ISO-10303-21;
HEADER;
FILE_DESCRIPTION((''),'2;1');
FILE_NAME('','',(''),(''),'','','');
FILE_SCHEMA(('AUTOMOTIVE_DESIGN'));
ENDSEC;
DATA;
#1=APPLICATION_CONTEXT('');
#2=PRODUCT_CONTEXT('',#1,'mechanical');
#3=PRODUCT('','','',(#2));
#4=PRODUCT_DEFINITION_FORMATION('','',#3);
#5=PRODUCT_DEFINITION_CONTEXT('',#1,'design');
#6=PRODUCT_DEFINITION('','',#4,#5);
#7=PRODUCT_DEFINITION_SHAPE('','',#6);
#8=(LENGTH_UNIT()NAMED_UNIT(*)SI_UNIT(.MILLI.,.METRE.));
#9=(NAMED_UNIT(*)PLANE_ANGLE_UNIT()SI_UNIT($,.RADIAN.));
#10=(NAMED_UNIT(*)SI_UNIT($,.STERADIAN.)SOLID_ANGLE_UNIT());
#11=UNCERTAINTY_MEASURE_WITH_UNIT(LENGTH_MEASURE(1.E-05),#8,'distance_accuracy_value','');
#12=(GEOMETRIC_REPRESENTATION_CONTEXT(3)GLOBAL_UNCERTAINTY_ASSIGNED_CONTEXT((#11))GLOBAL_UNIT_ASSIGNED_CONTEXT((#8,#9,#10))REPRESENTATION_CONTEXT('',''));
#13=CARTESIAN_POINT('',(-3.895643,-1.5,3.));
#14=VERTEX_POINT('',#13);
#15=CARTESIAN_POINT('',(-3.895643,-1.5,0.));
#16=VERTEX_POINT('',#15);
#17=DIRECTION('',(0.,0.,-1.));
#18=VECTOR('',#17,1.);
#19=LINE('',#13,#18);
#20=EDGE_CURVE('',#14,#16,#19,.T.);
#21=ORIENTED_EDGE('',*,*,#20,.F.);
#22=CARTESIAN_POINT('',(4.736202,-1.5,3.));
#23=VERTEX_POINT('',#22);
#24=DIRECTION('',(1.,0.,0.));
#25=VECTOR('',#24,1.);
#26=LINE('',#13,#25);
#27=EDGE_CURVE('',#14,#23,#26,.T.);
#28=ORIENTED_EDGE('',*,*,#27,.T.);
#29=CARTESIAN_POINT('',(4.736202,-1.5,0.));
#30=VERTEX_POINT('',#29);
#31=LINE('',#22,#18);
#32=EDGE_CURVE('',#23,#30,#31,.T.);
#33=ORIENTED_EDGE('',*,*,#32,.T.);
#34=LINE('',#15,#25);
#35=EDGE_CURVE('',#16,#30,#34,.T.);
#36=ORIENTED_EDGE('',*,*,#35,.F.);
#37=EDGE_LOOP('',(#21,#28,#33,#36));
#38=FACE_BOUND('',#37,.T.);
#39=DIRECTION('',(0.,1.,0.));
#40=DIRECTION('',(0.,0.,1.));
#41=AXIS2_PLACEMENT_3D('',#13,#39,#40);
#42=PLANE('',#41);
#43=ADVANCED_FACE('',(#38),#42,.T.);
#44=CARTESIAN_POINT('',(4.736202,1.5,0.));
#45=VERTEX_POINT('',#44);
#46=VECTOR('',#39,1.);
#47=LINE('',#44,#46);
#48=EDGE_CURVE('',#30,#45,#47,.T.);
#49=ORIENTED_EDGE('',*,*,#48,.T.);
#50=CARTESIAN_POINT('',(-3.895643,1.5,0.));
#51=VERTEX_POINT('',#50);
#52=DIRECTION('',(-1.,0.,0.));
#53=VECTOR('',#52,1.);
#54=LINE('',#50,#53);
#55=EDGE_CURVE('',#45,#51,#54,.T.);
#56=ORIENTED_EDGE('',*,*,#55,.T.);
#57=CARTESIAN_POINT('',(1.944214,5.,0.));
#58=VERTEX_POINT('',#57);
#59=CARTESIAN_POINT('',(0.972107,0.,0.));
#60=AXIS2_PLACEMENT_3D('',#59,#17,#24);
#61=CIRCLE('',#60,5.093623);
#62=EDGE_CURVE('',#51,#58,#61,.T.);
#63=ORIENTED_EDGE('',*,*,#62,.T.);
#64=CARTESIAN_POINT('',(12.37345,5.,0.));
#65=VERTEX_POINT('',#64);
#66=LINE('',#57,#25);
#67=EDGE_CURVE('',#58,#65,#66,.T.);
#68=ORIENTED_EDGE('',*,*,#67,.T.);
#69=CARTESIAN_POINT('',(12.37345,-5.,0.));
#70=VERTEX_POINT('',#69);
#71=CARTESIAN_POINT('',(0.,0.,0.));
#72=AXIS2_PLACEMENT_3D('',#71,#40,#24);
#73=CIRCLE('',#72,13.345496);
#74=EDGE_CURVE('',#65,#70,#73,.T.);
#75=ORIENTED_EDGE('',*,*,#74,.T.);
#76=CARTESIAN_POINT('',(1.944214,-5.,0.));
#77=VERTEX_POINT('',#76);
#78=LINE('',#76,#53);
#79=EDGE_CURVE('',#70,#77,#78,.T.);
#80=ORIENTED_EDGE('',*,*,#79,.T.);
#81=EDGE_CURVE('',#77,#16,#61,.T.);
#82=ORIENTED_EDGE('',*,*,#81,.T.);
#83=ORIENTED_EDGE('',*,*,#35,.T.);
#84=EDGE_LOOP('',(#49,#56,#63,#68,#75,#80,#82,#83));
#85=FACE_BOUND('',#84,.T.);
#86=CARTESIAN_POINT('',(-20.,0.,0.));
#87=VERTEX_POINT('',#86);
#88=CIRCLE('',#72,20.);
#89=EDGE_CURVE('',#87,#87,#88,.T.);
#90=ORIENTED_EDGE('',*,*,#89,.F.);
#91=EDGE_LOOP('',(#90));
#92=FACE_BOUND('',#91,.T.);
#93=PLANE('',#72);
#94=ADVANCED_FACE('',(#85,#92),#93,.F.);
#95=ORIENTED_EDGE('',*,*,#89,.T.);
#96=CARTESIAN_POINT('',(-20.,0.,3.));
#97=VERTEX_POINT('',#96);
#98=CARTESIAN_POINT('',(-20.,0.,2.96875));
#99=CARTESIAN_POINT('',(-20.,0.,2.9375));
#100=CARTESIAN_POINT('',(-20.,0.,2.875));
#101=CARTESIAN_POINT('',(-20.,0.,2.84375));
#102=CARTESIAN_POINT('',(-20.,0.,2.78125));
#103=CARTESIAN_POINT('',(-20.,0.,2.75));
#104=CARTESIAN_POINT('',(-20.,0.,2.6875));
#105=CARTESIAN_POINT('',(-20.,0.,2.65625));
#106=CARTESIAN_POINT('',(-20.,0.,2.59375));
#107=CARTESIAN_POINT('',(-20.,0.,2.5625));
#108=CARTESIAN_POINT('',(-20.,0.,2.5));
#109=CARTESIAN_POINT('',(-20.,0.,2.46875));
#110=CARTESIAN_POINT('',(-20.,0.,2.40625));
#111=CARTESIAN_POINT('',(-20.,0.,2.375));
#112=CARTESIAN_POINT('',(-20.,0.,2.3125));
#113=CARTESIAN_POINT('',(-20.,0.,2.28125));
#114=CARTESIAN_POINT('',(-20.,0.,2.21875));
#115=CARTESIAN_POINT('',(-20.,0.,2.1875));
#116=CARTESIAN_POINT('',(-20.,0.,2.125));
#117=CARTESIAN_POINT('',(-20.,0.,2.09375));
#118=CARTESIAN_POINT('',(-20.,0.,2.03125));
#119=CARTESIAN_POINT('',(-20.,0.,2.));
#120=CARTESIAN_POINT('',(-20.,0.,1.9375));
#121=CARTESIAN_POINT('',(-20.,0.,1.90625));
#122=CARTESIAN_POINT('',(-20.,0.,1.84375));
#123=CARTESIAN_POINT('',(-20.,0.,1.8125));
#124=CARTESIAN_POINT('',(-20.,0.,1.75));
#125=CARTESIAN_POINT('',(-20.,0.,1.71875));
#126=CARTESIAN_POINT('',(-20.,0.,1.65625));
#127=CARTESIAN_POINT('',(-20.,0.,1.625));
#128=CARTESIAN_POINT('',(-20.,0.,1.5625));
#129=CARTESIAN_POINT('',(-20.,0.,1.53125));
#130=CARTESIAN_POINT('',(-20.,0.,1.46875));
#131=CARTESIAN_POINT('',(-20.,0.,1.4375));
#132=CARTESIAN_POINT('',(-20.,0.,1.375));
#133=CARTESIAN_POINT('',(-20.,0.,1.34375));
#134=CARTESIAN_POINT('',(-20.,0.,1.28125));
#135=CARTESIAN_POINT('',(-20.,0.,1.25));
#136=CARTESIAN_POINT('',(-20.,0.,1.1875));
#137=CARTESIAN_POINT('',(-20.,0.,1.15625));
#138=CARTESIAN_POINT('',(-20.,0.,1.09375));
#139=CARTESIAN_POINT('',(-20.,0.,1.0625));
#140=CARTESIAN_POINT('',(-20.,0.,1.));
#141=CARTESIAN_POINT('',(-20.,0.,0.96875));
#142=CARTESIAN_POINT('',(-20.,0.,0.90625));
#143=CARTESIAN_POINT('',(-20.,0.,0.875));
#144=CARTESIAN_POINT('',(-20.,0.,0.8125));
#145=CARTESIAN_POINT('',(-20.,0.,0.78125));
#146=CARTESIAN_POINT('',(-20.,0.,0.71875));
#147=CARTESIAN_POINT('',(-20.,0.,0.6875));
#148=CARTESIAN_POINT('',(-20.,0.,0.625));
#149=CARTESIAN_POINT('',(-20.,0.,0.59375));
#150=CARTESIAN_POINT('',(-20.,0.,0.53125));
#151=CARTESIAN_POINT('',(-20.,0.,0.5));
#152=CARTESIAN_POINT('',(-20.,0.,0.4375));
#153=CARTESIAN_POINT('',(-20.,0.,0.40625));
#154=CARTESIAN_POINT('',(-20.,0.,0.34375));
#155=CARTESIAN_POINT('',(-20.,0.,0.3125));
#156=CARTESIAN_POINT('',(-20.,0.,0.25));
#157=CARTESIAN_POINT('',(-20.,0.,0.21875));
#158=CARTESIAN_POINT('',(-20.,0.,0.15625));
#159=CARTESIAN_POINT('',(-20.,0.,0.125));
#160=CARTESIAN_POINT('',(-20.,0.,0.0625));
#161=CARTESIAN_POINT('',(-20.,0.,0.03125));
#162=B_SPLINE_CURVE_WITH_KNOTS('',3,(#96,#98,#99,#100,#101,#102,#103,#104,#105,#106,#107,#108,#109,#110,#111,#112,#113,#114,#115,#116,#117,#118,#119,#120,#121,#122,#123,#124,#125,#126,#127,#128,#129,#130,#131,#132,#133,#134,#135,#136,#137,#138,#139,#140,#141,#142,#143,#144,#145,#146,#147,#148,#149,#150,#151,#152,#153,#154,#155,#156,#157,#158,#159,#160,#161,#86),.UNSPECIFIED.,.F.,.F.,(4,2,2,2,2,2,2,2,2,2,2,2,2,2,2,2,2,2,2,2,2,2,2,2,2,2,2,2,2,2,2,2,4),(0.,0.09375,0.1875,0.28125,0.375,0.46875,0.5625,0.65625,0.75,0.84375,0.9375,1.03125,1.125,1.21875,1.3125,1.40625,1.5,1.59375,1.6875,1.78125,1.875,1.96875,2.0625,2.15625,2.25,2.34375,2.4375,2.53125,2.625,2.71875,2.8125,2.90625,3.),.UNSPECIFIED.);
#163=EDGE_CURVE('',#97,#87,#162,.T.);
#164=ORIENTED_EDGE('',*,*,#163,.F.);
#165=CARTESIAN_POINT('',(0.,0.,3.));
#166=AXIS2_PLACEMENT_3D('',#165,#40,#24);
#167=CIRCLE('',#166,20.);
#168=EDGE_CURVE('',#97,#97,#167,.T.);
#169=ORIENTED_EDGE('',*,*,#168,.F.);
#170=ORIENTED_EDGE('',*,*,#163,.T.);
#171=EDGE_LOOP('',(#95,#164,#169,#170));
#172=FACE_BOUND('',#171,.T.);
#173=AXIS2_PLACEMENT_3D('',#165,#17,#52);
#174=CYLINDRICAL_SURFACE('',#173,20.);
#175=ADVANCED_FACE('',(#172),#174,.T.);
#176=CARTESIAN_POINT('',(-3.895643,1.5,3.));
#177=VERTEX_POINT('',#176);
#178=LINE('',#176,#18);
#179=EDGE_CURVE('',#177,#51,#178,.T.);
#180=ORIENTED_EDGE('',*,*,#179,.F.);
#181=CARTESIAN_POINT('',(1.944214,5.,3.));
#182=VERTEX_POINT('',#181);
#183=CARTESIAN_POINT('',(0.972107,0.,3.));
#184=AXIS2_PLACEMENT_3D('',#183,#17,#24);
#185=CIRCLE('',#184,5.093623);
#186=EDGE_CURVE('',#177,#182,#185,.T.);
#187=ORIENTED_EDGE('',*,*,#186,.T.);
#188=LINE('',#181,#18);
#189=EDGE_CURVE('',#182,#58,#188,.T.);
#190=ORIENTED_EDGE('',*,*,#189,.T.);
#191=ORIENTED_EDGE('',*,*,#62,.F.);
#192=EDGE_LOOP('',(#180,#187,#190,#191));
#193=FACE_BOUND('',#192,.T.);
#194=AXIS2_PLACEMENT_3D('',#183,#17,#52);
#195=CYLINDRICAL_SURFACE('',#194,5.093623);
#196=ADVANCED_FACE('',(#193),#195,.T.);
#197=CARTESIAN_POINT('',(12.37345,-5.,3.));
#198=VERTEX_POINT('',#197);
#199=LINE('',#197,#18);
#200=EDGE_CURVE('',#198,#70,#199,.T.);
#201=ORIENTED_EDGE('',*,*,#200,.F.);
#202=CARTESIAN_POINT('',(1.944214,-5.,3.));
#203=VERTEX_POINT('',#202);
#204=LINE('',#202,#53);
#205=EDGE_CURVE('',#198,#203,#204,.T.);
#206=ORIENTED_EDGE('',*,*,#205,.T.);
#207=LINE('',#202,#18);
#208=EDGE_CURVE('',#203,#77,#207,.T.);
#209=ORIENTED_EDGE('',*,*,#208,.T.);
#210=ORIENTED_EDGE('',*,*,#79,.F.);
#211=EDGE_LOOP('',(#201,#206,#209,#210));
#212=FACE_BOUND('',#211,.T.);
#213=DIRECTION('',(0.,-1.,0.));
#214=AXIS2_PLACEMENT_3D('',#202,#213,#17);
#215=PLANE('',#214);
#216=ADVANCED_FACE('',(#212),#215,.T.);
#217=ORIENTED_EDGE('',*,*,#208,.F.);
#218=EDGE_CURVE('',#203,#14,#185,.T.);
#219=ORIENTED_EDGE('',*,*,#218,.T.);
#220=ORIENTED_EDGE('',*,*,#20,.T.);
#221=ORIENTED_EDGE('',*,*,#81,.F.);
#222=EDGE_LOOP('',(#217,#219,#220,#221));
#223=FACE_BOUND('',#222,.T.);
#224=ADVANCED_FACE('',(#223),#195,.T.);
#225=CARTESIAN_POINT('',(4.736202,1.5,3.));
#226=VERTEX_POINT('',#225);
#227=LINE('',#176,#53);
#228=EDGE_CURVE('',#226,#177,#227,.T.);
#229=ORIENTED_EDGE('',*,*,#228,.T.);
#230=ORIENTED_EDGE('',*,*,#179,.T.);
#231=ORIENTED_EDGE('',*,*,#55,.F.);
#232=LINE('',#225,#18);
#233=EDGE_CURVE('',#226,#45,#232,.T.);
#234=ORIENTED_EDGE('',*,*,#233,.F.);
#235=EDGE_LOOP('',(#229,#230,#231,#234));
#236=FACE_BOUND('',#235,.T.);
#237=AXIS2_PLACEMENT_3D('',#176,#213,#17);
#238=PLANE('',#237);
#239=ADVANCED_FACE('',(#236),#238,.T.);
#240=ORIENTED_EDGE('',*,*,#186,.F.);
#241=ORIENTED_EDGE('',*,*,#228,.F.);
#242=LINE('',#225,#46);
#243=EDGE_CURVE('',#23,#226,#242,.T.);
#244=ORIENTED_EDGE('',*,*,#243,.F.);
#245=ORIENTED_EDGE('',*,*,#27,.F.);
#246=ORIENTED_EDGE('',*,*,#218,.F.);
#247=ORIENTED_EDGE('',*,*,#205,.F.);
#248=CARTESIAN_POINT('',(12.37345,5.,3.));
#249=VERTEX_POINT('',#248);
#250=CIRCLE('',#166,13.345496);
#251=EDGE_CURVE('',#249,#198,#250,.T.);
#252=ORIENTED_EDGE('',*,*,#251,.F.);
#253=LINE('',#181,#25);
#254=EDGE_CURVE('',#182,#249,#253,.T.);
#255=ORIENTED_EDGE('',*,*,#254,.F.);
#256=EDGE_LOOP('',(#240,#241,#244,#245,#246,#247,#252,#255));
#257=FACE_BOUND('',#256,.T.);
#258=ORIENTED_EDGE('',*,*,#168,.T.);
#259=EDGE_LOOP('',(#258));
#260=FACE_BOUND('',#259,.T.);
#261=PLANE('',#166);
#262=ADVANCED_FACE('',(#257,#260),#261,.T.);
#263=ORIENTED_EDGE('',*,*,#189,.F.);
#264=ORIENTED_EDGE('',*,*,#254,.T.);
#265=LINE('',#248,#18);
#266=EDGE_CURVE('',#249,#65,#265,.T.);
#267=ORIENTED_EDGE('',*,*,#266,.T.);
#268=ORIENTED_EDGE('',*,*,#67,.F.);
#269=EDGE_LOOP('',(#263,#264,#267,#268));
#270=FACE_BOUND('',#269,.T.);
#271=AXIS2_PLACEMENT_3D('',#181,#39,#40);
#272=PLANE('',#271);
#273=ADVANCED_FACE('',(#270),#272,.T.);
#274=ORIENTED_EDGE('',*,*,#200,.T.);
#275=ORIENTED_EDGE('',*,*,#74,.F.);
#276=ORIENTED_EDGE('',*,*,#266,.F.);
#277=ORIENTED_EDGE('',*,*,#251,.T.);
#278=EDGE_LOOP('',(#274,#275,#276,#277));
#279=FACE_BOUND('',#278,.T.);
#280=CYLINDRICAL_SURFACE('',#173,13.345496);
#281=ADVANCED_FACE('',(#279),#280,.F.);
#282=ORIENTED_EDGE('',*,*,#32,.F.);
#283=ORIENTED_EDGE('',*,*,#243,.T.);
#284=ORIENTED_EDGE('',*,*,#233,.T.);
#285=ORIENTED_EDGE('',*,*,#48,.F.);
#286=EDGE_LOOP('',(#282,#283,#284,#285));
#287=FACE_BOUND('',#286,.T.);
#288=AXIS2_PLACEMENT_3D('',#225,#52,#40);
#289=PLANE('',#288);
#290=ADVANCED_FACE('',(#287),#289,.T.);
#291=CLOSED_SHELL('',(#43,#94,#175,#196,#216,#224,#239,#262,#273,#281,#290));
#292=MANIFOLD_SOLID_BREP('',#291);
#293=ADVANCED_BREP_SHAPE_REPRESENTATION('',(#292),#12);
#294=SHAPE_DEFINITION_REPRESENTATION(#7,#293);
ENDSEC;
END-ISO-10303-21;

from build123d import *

# Parameters (mm, degrees)
SKETCH1_R          = 20
BASE_EXTRUDE_DEPTH = 3


with BuildPart() as part:
    # Sketch1 → Base-Extrude (new body)
    with BuildSketch(Plane.XY):
        with Locations(Location((0, 0, 0), (0, 0, 180))):
            Circle(SKETCH1_R)
        with BuildLine():
            Line((1.944214305, 5), (12.373449734, 5))
            ThreePointArc((12.373449734, 5), (-13.345495806, 0), (12.373449734, -5))
            Line((12.373449734, -5), (1.944214305, -5))
            ThreePointArc((1.944214305, -5), (-1.64638645, -4.369036915), (-3.895643079, -1.5))
            Line((-3.895643079, -1.5), (4.736201703, -1.5))
            Line((4.736201703, -1.5), (4.736201703, 1.5))
            Line((4.736201703, 1.5), (-3.895643079, 1.5))
            ThreePointArc((-3.895643079, 1.5), (-1.64638645, 4.369036915), (1.944214305, 5))
        make_face(mode=Mode.SUBTRACT)
    extrude(amount=BASE_EXTRUDE_DEPTH)


solid = part.part
